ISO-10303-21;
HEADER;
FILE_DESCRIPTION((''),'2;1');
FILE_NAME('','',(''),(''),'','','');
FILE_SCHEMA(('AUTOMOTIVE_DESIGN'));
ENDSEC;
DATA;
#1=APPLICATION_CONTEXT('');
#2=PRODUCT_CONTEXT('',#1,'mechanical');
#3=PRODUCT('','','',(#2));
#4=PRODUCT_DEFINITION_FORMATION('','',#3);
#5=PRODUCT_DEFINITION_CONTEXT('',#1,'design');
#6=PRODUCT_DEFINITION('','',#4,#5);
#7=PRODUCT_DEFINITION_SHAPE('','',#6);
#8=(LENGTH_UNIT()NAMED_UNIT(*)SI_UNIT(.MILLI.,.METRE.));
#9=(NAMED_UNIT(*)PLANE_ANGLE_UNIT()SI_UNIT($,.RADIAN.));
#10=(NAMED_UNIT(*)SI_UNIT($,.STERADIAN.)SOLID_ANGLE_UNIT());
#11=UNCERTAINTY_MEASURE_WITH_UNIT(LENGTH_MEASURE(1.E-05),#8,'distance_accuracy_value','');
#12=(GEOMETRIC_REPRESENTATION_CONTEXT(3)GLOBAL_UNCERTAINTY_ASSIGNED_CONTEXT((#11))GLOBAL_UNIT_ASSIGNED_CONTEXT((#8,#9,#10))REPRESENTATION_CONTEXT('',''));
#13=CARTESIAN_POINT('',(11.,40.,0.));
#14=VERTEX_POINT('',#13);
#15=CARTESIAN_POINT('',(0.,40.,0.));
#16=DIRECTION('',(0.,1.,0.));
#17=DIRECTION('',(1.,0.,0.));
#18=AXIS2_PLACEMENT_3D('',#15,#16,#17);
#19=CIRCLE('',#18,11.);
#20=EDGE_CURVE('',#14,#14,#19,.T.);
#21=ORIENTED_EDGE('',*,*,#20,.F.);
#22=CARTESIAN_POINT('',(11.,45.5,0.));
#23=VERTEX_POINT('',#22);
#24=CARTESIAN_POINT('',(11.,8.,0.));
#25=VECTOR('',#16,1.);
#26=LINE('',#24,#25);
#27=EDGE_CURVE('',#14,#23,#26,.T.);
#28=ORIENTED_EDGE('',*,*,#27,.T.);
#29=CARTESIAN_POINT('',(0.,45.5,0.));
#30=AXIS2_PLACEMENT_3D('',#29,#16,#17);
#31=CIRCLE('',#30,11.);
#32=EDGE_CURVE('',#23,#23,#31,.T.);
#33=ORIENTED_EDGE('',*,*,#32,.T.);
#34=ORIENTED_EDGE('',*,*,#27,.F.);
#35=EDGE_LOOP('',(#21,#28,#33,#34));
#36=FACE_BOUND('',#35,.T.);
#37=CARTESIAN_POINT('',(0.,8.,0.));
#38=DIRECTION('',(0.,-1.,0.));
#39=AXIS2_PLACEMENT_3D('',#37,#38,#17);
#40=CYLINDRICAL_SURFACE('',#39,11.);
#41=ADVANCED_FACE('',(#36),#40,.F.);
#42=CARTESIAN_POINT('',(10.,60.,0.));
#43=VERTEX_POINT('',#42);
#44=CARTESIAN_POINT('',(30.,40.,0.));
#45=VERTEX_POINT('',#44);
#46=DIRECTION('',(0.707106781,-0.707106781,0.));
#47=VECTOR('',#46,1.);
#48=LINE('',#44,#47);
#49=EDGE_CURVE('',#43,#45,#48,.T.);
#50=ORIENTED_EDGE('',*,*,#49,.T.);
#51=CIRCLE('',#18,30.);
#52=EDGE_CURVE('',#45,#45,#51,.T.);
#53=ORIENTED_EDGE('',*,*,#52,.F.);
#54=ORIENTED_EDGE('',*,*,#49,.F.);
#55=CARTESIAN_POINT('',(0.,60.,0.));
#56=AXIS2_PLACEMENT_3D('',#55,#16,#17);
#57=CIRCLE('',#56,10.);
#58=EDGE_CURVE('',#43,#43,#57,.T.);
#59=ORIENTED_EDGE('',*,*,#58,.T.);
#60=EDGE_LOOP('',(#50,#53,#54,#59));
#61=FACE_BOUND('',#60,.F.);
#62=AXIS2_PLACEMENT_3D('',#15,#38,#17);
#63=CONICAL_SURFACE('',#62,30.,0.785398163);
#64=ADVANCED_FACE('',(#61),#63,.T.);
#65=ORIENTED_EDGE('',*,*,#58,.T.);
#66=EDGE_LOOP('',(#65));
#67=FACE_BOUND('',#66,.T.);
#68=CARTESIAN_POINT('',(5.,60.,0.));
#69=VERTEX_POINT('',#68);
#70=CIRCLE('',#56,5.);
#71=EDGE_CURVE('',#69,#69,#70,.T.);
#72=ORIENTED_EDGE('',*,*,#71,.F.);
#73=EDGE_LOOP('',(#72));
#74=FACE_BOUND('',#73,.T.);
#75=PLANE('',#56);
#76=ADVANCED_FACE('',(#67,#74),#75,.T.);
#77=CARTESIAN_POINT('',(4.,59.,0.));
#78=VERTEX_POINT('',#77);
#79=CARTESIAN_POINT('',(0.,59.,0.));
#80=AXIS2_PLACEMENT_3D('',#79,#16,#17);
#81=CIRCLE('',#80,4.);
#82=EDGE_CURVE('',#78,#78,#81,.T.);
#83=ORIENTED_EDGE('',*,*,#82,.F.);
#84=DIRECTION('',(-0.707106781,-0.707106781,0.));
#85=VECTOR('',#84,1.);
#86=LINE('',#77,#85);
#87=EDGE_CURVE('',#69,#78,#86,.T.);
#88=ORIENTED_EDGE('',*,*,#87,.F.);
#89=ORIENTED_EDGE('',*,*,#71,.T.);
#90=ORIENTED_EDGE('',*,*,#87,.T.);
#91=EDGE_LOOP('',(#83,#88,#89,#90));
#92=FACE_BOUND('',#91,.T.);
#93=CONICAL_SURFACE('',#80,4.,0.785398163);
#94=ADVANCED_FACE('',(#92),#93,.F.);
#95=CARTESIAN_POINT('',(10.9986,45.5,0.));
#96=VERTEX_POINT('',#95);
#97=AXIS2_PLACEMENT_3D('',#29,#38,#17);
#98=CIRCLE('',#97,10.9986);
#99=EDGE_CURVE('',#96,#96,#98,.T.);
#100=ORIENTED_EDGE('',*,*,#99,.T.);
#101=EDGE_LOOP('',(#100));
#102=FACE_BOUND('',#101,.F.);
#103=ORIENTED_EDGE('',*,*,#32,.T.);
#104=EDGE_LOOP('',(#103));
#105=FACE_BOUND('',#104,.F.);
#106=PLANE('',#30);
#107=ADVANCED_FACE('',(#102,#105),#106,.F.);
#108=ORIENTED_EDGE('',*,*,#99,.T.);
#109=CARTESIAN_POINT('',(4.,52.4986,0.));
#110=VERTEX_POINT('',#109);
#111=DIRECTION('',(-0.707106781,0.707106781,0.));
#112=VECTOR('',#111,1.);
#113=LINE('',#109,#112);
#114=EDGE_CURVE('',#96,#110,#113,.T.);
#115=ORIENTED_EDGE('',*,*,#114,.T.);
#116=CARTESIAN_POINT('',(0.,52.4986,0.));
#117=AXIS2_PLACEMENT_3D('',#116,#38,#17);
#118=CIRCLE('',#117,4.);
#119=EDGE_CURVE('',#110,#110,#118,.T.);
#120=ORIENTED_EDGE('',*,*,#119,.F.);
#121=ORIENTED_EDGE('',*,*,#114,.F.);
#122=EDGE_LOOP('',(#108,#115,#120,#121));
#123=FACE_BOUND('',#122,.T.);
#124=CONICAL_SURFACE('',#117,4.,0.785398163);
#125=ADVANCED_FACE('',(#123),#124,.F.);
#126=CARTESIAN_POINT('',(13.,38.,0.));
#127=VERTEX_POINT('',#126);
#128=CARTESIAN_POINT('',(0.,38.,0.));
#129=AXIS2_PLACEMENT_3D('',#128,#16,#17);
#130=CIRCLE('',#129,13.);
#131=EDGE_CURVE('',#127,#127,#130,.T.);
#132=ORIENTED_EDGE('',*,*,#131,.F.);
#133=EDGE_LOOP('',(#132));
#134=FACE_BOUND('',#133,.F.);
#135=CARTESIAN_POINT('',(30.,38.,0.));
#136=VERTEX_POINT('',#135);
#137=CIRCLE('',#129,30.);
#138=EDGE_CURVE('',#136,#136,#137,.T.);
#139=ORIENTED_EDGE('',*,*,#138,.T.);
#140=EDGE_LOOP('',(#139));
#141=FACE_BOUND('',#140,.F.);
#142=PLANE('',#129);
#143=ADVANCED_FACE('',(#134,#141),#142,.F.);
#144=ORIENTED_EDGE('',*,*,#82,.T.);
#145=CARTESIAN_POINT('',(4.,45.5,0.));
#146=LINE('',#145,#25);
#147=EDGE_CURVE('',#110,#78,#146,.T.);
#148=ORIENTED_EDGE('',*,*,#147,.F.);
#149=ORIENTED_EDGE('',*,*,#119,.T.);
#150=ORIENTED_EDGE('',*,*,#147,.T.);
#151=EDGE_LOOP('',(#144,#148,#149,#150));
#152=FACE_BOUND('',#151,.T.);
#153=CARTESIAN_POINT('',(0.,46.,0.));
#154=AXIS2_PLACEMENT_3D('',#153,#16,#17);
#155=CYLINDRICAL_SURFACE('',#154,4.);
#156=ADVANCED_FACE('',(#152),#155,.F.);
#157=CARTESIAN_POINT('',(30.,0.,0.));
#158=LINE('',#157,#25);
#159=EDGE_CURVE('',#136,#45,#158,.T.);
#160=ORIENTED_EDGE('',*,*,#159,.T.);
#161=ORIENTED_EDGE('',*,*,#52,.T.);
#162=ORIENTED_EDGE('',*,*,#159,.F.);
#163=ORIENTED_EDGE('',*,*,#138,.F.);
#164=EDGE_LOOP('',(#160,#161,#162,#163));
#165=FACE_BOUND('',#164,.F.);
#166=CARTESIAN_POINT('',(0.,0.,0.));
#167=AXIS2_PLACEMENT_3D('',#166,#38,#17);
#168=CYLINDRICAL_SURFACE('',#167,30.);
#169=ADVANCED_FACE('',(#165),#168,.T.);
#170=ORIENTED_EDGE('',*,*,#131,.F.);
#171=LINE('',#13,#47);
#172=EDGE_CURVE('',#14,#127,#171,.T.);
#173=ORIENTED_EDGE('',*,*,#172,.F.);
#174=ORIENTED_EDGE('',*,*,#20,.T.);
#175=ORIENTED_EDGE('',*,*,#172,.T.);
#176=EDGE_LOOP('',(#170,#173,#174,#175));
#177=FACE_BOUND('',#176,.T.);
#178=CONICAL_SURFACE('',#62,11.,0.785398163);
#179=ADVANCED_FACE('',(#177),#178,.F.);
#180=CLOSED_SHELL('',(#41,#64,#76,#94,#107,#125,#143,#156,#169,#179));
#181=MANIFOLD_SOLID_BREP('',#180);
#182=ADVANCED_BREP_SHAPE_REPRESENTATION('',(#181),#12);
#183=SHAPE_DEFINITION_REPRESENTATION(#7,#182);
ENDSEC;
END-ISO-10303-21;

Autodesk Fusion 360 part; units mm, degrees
sketch "Sketch1" plane through (0, 0, 0) normal (0, 1, 0) x (1, 0, 0)
  circle A0 centre (0, 0) radius 30
  circle A1 centre (0, 0) radius 4
  dimension "d1" = 60
  dimension "d3" = 8
extrude "Extrude1" add sketch "Sketch1" along normal blind 60
chamfer "Chamfer1" distance 20 angle 45 1 edges at (-27.9698, 60, 10.8485) measured on face at (21.2216, 60, 1.4904)
sketch "Sketch2" plane through (0, 0, 0) normal (0, 1, 0) x (1, 0, 0)
  circle A0 centre (0, 0) radius 11
  dimension "d8" = 22
extrude "Extrude2" cut sketch "Sketch2" along normal blind 8
extrude "Extrude3" cut 1 faces at (23.514, 0, 2.0369) along direction (0, 1, 0) blind 38
extrude "Extrude4" cut 1 faces at (8.6257, 8, 0.5465) along direction (0, 1, 0) blind 38
extrude "Extrude5" add 1 faces at (8.6257, 46, 0.5465) along direction (0, -1, 0) blind 0.5
chamfer "Chamfer2" distance 7 angle 45 1 edges at (-3.7293, 45.5, 1.4465) measured on face at (8.6257, 45.5, 0.5465)
chamfer "Chamfer3" distance 2 angle 45 1 edges at (-10.2556, 38, -3.9778) measured on face at (10.9453, 43, 1.0952)
chamfer "Chamfer4" distance 1 angle 45 1 edges at (-3.7293, 60, -1.4465) measured on face at (7.9479, 60, 0.6955)
